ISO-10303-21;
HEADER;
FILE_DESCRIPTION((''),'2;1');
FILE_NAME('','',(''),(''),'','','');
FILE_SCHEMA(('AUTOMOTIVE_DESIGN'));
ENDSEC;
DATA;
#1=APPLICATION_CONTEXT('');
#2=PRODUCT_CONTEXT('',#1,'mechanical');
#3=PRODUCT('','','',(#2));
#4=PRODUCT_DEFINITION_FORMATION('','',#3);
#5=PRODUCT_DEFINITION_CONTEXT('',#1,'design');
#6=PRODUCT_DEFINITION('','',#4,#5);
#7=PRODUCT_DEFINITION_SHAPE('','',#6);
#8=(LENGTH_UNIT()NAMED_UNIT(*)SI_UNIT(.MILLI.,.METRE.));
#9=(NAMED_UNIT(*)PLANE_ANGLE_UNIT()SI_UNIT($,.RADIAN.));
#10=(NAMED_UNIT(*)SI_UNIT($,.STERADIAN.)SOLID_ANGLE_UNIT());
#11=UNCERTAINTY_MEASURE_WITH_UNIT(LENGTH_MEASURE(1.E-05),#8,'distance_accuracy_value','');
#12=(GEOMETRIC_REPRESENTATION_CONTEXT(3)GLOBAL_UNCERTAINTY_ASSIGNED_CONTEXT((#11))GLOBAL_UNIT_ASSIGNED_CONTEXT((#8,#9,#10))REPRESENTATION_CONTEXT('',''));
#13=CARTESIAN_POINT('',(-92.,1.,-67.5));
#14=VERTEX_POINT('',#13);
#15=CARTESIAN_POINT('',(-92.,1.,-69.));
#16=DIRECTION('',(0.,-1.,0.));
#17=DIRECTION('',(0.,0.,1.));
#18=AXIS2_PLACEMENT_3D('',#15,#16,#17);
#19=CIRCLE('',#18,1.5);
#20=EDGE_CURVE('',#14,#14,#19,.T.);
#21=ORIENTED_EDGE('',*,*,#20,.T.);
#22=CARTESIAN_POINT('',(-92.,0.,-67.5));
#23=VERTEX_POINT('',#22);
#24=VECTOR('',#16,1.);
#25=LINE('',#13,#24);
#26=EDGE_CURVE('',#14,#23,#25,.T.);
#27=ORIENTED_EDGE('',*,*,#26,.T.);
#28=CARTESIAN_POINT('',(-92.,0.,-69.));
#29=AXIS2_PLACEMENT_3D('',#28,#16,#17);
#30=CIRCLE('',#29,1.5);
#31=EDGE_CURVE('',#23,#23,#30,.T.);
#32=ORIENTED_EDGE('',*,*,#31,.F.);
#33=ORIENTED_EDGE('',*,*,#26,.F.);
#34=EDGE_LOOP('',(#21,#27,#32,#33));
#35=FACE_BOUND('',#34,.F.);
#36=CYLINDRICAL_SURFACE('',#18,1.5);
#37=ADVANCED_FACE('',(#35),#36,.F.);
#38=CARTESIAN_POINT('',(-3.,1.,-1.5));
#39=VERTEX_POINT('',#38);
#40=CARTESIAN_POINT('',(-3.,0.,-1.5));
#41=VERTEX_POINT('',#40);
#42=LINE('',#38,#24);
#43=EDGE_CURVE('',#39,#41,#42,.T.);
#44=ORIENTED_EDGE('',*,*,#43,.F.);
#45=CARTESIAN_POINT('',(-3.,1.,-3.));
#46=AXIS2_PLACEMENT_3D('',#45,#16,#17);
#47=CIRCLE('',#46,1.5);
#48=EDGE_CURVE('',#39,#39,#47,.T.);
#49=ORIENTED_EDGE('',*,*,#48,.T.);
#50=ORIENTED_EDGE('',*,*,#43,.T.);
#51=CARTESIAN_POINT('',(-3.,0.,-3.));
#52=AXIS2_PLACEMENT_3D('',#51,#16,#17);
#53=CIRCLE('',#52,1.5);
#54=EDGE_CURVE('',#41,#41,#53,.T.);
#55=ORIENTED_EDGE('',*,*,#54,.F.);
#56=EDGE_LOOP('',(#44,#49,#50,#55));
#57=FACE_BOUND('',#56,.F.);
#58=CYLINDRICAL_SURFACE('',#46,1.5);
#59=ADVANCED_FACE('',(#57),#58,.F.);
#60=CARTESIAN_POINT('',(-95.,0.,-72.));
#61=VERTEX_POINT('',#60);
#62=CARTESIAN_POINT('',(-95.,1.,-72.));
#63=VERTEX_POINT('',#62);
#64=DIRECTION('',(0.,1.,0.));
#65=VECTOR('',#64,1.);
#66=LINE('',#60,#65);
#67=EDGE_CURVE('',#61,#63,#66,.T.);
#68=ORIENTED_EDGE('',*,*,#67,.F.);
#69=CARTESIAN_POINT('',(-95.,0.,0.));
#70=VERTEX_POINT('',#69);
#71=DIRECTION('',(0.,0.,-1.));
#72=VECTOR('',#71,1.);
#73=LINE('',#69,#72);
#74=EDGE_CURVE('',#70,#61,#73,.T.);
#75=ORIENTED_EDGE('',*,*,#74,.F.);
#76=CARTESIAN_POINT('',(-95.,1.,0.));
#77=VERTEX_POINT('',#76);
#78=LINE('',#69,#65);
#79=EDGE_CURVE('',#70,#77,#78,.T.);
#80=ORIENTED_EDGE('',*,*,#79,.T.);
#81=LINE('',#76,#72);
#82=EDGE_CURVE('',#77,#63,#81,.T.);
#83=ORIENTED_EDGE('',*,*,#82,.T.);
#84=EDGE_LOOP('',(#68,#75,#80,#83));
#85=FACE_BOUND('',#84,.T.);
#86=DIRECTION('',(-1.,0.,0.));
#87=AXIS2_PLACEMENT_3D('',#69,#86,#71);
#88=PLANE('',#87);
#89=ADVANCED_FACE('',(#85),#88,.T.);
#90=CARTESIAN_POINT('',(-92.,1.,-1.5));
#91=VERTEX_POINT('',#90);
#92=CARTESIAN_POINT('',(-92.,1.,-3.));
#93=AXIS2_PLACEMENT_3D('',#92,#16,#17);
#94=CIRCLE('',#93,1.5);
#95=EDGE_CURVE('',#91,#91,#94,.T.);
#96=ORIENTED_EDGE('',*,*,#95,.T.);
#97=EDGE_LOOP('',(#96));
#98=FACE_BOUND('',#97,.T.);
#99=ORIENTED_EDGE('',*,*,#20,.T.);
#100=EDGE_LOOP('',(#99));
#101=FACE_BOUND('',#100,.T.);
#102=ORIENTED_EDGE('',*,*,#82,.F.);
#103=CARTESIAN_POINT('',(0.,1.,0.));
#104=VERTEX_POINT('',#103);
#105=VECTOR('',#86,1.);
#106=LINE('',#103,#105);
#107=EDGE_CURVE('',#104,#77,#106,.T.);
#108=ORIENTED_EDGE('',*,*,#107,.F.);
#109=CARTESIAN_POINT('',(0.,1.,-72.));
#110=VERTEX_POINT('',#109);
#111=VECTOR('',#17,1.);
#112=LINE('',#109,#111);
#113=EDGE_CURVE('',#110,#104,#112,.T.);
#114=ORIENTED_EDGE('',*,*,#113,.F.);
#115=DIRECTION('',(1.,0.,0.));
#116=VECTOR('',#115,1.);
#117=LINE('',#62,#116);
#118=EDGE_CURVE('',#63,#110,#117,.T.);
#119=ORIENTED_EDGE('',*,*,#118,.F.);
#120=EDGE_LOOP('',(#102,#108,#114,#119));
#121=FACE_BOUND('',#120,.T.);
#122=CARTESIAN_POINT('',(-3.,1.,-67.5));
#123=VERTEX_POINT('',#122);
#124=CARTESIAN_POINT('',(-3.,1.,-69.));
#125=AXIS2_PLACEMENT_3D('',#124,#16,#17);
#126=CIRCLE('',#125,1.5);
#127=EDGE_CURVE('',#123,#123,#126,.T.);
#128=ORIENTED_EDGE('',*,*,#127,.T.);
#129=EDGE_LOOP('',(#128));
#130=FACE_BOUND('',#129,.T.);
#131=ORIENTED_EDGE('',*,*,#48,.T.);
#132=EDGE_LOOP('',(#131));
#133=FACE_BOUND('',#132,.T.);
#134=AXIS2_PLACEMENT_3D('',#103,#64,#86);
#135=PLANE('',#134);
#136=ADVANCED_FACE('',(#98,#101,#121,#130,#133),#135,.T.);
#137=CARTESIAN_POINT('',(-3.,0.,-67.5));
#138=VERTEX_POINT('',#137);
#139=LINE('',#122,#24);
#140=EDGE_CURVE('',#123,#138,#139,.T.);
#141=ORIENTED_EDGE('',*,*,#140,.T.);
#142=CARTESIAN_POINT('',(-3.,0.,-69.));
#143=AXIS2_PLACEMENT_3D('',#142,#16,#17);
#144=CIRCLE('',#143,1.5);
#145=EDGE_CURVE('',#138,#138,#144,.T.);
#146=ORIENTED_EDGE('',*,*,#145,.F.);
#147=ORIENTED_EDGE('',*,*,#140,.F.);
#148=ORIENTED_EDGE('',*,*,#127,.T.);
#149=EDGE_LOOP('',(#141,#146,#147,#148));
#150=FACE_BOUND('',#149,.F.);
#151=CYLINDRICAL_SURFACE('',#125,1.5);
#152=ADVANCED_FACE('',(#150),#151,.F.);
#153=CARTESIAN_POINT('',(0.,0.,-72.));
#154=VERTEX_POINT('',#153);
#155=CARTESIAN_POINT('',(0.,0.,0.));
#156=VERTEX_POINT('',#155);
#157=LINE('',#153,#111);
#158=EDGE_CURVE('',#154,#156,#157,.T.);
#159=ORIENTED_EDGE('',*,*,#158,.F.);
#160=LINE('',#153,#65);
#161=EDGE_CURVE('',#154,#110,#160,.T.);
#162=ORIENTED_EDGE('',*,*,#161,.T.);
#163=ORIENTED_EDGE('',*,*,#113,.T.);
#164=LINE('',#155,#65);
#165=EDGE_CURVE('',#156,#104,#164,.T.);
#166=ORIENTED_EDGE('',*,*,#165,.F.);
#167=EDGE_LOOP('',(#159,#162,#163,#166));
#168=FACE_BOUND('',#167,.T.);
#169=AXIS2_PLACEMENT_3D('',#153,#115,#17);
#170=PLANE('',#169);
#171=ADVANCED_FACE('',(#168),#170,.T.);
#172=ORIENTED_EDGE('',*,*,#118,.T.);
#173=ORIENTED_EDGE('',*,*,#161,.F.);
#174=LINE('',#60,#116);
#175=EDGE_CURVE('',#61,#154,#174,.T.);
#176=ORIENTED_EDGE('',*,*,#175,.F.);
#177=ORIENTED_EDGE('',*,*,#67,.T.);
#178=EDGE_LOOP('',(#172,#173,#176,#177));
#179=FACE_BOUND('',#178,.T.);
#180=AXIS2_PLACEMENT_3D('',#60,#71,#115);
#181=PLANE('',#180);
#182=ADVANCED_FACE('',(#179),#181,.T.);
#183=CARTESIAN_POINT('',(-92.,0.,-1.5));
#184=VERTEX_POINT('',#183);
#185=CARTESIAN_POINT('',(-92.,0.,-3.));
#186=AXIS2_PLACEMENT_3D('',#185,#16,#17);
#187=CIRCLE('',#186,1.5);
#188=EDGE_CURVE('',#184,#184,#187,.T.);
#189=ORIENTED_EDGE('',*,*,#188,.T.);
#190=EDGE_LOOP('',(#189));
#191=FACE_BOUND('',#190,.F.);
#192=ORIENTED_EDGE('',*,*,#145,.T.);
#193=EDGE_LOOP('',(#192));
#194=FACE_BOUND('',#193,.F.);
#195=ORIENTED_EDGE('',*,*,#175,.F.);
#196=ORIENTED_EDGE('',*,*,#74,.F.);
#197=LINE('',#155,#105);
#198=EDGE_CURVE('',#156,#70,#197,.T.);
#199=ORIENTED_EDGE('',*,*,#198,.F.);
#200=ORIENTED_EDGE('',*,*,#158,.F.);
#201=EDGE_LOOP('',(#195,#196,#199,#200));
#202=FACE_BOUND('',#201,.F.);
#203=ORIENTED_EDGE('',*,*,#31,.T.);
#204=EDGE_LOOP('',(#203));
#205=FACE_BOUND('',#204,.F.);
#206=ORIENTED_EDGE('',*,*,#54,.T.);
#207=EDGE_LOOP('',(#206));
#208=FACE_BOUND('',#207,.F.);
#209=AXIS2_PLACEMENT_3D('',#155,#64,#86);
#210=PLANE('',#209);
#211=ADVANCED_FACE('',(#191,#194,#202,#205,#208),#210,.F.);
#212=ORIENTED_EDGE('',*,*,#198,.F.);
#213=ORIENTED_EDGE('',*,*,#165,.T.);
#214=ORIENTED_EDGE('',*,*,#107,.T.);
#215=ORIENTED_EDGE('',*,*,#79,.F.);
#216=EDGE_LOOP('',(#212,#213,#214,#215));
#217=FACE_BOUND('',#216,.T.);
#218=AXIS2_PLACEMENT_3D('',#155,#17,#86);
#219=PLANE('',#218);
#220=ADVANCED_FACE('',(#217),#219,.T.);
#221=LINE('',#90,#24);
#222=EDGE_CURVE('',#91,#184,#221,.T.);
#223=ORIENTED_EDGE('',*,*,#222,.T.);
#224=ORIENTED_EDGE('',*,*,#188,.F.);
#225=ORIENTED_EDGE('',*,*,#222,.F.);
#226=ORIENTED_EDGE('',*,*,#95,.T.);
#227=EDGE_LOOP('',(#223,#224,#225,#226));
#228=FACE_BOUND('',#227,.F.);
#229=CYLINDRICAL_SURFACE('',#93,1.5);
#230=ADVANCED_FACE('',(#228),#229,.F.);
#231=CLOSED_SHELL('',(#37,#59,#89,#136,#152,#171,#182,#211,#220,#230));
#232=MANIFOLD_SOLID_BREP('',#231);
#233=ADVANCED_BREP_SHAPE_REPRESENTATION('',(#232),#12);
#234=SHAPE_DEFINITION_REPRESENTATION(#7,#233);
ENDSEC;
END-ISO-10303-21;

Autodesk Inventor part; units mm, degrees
ref_plane "YZ Plane" through (0, 0, 0) normal (1, 0, 0) x (0, 1, 0)
ref_plane "XZ Plane" through (0, 0, 0) normal (0, 1, 0) x (-1, 0, 0)
ref_plane "XY Plane" through (0, 0, 0) normal (0, 0, 1) x (1, 0, 0)
sketch "スケッチ1" plane through (0, 0, 0) normal (0, 1, 0) x (-1, 0, 0)
  line L0 (0, 0) -> (95, 0)
  line L1 (95, 0) -> (95, -72)
  line L2 (95, -72) -> (0, -72)
  line L3 (0, -72) -> (0, 0)
  dimension "d0" = 95
  dimension "d1" = 72
extrude "押し出し1" add sketch "スケッチ1" along normal blind 1
hole "穴1" at (-92, 1, -3) direction (0, -1, 0) diameter 3 end through all
hole "穴2" at (-92, 1, -69) direction (0, -1, 0) diameter 3 end through all
hole "穴3" at (-3, 1, -3) direction (0, -1, 0) diameter 3 end through all
hole "穴4" at (-3, 1, -69) direction (0, -1, 0) diameter 3 end through all
properties part number "基板"
